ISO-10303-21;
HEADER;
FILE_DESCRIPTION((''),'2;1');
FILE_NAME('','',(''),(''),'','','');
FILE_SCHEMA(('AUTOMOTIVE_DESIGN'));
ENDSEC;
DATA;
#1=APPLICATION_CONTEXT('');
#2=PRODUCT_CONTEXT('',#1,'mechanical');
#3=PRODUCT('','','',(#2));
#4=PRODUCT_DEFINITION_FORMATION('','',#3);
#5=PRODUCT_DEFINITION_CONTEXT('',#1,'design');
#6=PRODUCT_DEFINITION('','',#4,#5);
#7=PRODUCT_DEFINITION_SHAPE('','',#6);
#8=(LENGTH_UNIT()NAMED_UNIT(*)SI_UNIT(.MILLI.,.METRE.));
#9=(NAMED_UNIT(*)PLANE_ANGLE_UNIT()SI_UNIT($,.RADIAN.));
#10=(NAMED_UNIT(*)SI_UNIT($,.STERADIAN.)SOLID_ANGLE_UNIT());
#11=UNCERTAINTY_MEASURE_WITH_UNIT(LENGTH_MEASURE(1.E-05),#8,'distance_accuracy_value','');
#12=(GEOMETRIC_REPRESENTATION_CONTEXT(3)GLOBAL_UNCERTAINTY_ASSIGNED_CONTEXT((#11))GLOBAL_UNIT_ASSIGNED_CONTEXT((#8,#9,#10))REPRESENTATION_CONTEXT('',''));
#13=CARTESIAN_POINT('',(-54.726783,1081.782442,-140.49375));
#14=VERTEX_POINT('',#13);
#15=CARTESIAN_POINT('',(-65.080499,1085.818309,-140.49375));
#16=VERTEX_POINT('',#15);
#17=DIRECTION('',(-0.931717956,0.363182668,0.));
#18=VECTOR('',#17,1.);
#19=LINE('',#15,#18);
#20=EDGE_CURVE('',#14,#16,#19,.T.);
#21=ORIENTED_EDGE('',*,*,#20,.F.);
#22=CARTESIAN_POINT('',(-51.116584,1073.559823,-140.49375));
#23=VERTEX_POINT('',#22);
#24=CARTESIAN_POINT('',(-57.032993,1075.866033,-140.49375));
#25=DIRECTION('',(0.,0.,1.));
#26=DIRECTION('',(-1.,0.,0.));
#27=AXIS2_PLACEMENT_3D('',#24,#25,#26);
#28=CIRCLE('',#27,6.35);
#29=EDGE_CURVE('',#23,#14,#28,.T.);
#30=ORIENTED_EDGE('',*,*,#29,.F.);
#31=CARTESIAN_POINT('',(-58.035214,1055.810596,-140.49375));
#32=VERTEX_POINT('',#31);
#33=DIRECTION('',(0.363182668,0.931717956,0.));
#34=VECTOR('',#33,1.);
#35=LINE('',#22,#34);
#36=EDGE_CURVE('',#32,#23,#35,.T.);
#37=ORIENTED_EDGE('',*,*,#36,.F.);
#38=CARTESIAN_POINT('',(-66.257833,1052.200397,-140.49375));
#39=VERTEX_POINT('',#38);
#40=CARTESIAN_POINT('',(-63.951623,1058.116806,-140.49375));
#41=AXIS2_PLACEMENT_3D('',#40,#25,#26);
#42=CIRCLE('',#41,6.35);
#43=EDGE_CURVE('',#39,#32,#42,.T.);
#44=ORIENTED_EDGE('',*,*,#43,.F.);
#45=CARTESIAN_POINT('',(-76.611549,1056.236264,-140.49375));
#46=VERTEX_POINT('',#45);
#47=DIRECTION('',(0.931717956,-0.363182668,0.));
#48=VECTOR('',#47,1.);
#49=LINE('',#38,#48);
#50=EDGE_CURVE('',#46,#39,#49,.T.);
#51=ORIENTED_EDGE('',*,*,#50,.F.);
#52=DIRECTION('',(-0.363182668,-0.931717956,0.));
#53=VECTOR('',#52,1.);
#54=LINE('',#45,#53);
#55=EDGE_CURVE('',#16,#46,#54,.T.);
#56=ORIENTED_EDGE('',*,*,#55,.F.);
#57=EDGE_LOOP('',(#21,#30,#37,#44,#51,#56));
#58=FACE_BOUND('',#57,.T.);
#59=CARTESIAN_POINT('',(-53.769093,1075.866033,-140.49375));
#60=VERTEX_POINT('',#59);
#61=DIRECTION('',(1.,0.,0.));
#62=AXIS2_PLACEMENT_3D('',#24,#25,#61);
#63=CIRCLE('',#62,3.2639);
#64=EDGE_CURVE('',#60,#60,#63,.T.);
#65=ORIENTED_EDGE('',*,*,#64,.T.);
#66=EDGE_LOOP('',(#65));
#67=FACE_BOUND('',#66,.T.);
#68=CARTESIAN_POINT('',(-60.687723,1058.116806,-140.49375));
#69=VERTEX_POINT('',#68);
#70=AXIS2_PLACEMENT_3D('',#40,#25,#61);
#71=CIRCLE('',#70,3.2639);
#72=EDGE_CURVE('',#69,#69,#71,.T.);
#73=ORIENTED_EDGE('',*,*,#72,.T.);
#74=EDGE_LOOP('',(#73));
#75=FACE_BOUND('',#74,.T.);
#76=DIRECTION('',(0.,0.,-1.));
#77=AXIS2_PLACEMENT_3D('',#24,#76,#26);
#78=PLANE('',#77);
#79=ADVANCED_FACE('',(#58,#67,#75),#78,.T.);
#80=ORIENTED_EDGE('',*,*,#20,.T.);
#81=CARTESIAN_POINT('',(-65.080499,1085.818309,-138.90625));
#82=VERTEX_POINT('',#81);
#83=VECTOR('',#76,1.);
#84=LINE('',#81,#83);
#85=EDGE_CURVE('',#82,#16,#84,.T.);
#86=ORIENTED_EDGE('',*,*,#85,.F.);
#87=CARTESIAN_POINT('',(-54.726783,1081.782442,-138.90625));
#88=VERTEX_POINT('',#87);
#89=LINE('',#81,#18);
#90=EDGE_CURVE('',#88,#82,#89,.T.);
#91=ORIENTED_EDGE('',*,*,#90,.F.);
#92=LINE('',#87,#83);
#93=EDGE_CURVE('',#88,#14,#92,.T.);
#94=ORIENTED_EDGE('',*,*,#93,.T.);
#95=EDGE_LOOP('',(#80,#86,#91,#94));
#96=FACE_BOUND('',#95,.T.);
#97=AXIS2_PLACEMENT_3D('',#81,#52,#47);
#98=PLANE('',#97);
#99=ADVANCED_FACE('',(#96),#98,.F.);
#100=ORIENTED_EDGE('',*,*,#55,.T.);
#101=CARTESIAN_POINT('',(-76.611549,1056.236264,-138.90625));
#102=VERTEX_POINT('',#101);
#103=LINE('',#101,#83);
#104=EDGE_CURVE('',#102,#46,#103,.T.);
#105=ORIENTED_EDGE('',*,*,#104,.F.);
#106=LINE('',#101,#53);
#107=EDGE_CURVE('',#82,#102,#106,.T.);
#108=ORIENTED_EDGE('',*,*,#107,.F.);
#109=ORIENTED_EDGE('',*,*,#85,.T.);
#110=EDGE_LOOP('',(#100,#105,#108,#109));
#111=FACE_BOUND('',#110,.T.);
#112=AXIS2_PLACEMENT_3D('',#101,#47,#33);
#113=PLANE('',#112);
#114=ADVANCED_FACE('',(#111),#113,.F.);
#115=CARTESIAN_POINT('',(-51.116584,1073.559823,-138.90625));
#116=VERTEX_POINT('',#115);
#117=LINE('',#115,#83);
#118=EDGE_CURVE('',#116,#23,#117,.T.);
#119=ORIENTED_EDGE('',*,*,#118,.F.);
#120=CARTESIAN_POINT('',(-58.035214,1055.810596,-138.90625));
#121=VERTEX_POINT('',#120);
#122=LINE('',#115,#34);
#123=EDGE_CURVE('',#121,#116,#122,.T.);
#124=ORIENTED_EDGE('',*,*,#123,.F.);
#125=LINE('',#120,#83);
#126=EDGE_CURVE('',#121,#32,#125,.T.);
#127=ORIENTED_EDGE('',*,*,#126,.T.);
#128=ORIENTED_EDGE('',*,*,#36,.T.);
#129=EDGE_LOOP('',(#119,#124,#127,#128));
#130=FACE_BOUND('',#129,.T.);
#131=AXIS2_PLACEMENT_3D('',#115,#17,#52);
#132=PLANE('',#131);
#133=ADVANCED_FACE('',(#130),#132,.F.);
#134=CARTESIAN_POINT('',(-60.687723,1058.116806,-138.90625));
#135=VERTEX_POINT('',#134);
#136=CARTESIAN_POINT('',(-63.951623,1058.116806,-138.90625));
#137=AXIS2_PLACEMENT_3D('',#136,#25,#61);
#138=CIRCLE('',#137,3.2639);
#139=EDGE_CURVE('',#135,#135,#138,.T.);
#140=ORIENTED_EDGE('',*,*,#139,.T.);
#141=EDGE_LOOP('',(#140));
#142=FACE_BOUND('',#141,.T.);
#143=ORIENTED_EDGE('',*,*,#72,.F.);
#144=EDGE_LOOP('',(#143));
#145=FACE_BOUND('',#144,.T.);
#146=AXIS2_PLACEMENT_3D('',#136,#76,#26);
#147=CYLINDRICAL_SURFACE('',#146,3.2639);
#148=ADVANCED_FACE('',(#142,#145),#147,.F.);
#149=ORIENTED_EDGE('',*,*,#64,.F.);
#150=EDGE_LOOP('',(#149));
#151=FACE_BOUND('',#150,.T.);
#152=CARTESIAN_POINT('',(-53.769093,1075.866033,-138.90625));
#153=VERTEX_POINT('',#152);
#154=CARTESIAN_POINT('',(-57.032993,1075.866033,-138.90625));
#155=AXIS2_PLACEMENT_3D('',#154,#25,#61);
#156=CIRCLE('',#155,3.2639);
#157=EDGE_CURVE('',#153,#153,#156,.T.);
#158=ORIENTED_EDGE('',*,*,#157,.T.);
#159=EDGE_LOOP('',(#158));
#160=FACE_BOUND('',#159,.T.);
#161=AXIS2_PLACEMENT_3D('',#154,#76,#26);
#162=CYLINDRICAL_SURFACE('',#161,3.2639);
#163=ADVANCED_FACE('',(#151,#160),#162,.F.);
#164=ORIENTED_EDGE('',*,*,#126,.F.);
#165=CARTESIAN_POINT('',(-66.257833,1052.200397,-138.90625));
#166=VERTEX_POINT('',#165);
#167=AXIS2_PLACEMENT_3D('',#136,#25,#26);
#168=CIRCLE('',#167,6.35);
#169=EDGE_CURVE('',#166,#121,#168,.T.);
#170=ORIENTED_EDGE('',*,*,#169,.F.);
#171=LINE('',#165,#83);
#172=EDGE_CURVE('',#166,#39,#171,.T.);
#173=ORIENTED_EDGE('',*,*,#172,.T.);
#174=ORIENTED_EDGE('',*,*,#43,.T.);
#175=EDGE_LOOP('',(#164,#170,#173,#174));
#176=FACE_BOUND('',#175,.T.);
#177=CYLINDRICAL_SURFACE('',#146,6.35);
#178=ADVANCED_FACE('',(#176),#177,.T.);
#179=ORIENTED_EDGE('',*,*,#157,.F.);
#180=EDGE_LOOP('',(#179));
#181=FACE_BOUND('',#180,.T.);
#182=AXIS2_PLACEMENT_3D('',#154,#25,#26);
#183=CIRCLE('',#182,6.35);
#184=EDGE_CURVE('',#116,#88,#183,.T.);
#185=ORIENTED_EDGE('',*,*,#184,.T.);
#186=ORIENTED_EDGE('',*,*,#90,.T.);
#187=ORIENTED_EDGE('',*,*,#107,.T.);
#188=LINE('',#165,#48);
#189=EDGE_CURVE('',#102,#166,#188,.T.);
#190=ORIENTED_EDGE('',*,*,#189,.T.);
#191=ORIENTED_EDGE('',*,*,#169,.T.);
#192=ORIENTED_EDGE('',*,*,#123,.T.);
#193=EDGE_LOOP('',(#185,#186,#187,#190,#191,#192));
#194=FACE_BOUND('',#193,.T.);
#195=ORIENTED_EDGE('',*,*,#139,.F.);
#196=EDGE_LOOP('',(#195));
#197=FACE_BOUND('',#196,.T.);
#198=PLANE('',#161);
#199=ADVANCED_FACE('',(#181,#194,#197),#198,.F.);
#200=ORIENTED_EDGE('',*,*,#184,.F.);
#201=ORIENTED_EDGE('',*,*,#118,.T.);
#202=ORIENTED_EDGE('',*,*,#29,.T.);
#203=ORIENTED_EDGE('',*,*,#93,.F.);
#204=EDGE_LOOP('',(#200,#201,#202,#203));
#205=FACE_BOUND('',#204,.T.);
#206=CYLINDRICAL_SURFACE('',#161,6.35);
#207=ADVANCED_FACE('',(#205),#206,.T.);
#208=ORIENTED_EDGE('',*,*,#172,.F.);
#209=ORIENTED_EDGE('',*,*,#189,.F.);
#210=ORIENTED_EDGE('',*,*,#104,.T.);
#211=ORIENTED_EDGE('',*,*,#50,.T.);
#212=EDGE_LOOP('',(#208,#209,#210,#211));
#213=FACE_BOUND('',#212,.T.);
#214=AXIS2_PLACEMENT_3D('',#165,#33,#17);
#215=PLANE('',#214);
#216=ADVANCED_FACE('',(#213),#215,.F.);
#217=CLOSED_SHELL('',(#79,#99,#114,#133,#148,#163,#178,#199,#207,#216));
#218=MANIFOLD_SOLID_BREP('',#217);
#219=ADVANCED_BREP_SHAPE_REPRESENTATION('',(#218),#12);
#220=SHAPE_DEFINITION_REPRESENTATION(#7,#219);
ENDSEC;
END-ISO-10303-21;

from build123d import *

# Parameters (mm, degrees)
SKETCH58_R          = 3.2639
BOSS_EXTRUDE1_DEPTH = 0.79375


with BuildPart() as part:
    # Sketch58 → Boss-Extrude1 (new, symmetric)
    with BuildSketch(Plane.XY.offset(-139.7)):
        with BuildLine():
            Line((-65.080499238, 1085.818309343), (-54.72678345, 1081.782441948))
            ThreePointArc((-54.72678345, 1081.782441948), (-51.218723763, 1078.418829178), (-51.116584369, 1073.559822986))
            Line((-51.116584369, 1073.559822986), (-58.03521419, 1055.810595921))
            ThreePointArc((-58.03521419, 1055.810595921), (-61.398826959, 1052.302536234), (-66.257833152, 1052.20039684))
            Line((-66.257833152, 1052.20039684), (-76.611548939, 1056.236264235))
            Line((-76.611548939, 1056.236264235), (-65.080499238, 1085.818309343))
        make_face()
        with Locations((-57.03299339, 1075.866032926)):
            Circle(SKETCH58_R, mode=Mode.SUBTRACT)
        with Locations((-63.951623211, 1058.116805861)):
            Circle(SKETCH58_R, mode=Mode.SUBTRACT)
    extrude(amount=BOSS_EXTRUDE1_DEPTH, both=True)


solid = part.part
